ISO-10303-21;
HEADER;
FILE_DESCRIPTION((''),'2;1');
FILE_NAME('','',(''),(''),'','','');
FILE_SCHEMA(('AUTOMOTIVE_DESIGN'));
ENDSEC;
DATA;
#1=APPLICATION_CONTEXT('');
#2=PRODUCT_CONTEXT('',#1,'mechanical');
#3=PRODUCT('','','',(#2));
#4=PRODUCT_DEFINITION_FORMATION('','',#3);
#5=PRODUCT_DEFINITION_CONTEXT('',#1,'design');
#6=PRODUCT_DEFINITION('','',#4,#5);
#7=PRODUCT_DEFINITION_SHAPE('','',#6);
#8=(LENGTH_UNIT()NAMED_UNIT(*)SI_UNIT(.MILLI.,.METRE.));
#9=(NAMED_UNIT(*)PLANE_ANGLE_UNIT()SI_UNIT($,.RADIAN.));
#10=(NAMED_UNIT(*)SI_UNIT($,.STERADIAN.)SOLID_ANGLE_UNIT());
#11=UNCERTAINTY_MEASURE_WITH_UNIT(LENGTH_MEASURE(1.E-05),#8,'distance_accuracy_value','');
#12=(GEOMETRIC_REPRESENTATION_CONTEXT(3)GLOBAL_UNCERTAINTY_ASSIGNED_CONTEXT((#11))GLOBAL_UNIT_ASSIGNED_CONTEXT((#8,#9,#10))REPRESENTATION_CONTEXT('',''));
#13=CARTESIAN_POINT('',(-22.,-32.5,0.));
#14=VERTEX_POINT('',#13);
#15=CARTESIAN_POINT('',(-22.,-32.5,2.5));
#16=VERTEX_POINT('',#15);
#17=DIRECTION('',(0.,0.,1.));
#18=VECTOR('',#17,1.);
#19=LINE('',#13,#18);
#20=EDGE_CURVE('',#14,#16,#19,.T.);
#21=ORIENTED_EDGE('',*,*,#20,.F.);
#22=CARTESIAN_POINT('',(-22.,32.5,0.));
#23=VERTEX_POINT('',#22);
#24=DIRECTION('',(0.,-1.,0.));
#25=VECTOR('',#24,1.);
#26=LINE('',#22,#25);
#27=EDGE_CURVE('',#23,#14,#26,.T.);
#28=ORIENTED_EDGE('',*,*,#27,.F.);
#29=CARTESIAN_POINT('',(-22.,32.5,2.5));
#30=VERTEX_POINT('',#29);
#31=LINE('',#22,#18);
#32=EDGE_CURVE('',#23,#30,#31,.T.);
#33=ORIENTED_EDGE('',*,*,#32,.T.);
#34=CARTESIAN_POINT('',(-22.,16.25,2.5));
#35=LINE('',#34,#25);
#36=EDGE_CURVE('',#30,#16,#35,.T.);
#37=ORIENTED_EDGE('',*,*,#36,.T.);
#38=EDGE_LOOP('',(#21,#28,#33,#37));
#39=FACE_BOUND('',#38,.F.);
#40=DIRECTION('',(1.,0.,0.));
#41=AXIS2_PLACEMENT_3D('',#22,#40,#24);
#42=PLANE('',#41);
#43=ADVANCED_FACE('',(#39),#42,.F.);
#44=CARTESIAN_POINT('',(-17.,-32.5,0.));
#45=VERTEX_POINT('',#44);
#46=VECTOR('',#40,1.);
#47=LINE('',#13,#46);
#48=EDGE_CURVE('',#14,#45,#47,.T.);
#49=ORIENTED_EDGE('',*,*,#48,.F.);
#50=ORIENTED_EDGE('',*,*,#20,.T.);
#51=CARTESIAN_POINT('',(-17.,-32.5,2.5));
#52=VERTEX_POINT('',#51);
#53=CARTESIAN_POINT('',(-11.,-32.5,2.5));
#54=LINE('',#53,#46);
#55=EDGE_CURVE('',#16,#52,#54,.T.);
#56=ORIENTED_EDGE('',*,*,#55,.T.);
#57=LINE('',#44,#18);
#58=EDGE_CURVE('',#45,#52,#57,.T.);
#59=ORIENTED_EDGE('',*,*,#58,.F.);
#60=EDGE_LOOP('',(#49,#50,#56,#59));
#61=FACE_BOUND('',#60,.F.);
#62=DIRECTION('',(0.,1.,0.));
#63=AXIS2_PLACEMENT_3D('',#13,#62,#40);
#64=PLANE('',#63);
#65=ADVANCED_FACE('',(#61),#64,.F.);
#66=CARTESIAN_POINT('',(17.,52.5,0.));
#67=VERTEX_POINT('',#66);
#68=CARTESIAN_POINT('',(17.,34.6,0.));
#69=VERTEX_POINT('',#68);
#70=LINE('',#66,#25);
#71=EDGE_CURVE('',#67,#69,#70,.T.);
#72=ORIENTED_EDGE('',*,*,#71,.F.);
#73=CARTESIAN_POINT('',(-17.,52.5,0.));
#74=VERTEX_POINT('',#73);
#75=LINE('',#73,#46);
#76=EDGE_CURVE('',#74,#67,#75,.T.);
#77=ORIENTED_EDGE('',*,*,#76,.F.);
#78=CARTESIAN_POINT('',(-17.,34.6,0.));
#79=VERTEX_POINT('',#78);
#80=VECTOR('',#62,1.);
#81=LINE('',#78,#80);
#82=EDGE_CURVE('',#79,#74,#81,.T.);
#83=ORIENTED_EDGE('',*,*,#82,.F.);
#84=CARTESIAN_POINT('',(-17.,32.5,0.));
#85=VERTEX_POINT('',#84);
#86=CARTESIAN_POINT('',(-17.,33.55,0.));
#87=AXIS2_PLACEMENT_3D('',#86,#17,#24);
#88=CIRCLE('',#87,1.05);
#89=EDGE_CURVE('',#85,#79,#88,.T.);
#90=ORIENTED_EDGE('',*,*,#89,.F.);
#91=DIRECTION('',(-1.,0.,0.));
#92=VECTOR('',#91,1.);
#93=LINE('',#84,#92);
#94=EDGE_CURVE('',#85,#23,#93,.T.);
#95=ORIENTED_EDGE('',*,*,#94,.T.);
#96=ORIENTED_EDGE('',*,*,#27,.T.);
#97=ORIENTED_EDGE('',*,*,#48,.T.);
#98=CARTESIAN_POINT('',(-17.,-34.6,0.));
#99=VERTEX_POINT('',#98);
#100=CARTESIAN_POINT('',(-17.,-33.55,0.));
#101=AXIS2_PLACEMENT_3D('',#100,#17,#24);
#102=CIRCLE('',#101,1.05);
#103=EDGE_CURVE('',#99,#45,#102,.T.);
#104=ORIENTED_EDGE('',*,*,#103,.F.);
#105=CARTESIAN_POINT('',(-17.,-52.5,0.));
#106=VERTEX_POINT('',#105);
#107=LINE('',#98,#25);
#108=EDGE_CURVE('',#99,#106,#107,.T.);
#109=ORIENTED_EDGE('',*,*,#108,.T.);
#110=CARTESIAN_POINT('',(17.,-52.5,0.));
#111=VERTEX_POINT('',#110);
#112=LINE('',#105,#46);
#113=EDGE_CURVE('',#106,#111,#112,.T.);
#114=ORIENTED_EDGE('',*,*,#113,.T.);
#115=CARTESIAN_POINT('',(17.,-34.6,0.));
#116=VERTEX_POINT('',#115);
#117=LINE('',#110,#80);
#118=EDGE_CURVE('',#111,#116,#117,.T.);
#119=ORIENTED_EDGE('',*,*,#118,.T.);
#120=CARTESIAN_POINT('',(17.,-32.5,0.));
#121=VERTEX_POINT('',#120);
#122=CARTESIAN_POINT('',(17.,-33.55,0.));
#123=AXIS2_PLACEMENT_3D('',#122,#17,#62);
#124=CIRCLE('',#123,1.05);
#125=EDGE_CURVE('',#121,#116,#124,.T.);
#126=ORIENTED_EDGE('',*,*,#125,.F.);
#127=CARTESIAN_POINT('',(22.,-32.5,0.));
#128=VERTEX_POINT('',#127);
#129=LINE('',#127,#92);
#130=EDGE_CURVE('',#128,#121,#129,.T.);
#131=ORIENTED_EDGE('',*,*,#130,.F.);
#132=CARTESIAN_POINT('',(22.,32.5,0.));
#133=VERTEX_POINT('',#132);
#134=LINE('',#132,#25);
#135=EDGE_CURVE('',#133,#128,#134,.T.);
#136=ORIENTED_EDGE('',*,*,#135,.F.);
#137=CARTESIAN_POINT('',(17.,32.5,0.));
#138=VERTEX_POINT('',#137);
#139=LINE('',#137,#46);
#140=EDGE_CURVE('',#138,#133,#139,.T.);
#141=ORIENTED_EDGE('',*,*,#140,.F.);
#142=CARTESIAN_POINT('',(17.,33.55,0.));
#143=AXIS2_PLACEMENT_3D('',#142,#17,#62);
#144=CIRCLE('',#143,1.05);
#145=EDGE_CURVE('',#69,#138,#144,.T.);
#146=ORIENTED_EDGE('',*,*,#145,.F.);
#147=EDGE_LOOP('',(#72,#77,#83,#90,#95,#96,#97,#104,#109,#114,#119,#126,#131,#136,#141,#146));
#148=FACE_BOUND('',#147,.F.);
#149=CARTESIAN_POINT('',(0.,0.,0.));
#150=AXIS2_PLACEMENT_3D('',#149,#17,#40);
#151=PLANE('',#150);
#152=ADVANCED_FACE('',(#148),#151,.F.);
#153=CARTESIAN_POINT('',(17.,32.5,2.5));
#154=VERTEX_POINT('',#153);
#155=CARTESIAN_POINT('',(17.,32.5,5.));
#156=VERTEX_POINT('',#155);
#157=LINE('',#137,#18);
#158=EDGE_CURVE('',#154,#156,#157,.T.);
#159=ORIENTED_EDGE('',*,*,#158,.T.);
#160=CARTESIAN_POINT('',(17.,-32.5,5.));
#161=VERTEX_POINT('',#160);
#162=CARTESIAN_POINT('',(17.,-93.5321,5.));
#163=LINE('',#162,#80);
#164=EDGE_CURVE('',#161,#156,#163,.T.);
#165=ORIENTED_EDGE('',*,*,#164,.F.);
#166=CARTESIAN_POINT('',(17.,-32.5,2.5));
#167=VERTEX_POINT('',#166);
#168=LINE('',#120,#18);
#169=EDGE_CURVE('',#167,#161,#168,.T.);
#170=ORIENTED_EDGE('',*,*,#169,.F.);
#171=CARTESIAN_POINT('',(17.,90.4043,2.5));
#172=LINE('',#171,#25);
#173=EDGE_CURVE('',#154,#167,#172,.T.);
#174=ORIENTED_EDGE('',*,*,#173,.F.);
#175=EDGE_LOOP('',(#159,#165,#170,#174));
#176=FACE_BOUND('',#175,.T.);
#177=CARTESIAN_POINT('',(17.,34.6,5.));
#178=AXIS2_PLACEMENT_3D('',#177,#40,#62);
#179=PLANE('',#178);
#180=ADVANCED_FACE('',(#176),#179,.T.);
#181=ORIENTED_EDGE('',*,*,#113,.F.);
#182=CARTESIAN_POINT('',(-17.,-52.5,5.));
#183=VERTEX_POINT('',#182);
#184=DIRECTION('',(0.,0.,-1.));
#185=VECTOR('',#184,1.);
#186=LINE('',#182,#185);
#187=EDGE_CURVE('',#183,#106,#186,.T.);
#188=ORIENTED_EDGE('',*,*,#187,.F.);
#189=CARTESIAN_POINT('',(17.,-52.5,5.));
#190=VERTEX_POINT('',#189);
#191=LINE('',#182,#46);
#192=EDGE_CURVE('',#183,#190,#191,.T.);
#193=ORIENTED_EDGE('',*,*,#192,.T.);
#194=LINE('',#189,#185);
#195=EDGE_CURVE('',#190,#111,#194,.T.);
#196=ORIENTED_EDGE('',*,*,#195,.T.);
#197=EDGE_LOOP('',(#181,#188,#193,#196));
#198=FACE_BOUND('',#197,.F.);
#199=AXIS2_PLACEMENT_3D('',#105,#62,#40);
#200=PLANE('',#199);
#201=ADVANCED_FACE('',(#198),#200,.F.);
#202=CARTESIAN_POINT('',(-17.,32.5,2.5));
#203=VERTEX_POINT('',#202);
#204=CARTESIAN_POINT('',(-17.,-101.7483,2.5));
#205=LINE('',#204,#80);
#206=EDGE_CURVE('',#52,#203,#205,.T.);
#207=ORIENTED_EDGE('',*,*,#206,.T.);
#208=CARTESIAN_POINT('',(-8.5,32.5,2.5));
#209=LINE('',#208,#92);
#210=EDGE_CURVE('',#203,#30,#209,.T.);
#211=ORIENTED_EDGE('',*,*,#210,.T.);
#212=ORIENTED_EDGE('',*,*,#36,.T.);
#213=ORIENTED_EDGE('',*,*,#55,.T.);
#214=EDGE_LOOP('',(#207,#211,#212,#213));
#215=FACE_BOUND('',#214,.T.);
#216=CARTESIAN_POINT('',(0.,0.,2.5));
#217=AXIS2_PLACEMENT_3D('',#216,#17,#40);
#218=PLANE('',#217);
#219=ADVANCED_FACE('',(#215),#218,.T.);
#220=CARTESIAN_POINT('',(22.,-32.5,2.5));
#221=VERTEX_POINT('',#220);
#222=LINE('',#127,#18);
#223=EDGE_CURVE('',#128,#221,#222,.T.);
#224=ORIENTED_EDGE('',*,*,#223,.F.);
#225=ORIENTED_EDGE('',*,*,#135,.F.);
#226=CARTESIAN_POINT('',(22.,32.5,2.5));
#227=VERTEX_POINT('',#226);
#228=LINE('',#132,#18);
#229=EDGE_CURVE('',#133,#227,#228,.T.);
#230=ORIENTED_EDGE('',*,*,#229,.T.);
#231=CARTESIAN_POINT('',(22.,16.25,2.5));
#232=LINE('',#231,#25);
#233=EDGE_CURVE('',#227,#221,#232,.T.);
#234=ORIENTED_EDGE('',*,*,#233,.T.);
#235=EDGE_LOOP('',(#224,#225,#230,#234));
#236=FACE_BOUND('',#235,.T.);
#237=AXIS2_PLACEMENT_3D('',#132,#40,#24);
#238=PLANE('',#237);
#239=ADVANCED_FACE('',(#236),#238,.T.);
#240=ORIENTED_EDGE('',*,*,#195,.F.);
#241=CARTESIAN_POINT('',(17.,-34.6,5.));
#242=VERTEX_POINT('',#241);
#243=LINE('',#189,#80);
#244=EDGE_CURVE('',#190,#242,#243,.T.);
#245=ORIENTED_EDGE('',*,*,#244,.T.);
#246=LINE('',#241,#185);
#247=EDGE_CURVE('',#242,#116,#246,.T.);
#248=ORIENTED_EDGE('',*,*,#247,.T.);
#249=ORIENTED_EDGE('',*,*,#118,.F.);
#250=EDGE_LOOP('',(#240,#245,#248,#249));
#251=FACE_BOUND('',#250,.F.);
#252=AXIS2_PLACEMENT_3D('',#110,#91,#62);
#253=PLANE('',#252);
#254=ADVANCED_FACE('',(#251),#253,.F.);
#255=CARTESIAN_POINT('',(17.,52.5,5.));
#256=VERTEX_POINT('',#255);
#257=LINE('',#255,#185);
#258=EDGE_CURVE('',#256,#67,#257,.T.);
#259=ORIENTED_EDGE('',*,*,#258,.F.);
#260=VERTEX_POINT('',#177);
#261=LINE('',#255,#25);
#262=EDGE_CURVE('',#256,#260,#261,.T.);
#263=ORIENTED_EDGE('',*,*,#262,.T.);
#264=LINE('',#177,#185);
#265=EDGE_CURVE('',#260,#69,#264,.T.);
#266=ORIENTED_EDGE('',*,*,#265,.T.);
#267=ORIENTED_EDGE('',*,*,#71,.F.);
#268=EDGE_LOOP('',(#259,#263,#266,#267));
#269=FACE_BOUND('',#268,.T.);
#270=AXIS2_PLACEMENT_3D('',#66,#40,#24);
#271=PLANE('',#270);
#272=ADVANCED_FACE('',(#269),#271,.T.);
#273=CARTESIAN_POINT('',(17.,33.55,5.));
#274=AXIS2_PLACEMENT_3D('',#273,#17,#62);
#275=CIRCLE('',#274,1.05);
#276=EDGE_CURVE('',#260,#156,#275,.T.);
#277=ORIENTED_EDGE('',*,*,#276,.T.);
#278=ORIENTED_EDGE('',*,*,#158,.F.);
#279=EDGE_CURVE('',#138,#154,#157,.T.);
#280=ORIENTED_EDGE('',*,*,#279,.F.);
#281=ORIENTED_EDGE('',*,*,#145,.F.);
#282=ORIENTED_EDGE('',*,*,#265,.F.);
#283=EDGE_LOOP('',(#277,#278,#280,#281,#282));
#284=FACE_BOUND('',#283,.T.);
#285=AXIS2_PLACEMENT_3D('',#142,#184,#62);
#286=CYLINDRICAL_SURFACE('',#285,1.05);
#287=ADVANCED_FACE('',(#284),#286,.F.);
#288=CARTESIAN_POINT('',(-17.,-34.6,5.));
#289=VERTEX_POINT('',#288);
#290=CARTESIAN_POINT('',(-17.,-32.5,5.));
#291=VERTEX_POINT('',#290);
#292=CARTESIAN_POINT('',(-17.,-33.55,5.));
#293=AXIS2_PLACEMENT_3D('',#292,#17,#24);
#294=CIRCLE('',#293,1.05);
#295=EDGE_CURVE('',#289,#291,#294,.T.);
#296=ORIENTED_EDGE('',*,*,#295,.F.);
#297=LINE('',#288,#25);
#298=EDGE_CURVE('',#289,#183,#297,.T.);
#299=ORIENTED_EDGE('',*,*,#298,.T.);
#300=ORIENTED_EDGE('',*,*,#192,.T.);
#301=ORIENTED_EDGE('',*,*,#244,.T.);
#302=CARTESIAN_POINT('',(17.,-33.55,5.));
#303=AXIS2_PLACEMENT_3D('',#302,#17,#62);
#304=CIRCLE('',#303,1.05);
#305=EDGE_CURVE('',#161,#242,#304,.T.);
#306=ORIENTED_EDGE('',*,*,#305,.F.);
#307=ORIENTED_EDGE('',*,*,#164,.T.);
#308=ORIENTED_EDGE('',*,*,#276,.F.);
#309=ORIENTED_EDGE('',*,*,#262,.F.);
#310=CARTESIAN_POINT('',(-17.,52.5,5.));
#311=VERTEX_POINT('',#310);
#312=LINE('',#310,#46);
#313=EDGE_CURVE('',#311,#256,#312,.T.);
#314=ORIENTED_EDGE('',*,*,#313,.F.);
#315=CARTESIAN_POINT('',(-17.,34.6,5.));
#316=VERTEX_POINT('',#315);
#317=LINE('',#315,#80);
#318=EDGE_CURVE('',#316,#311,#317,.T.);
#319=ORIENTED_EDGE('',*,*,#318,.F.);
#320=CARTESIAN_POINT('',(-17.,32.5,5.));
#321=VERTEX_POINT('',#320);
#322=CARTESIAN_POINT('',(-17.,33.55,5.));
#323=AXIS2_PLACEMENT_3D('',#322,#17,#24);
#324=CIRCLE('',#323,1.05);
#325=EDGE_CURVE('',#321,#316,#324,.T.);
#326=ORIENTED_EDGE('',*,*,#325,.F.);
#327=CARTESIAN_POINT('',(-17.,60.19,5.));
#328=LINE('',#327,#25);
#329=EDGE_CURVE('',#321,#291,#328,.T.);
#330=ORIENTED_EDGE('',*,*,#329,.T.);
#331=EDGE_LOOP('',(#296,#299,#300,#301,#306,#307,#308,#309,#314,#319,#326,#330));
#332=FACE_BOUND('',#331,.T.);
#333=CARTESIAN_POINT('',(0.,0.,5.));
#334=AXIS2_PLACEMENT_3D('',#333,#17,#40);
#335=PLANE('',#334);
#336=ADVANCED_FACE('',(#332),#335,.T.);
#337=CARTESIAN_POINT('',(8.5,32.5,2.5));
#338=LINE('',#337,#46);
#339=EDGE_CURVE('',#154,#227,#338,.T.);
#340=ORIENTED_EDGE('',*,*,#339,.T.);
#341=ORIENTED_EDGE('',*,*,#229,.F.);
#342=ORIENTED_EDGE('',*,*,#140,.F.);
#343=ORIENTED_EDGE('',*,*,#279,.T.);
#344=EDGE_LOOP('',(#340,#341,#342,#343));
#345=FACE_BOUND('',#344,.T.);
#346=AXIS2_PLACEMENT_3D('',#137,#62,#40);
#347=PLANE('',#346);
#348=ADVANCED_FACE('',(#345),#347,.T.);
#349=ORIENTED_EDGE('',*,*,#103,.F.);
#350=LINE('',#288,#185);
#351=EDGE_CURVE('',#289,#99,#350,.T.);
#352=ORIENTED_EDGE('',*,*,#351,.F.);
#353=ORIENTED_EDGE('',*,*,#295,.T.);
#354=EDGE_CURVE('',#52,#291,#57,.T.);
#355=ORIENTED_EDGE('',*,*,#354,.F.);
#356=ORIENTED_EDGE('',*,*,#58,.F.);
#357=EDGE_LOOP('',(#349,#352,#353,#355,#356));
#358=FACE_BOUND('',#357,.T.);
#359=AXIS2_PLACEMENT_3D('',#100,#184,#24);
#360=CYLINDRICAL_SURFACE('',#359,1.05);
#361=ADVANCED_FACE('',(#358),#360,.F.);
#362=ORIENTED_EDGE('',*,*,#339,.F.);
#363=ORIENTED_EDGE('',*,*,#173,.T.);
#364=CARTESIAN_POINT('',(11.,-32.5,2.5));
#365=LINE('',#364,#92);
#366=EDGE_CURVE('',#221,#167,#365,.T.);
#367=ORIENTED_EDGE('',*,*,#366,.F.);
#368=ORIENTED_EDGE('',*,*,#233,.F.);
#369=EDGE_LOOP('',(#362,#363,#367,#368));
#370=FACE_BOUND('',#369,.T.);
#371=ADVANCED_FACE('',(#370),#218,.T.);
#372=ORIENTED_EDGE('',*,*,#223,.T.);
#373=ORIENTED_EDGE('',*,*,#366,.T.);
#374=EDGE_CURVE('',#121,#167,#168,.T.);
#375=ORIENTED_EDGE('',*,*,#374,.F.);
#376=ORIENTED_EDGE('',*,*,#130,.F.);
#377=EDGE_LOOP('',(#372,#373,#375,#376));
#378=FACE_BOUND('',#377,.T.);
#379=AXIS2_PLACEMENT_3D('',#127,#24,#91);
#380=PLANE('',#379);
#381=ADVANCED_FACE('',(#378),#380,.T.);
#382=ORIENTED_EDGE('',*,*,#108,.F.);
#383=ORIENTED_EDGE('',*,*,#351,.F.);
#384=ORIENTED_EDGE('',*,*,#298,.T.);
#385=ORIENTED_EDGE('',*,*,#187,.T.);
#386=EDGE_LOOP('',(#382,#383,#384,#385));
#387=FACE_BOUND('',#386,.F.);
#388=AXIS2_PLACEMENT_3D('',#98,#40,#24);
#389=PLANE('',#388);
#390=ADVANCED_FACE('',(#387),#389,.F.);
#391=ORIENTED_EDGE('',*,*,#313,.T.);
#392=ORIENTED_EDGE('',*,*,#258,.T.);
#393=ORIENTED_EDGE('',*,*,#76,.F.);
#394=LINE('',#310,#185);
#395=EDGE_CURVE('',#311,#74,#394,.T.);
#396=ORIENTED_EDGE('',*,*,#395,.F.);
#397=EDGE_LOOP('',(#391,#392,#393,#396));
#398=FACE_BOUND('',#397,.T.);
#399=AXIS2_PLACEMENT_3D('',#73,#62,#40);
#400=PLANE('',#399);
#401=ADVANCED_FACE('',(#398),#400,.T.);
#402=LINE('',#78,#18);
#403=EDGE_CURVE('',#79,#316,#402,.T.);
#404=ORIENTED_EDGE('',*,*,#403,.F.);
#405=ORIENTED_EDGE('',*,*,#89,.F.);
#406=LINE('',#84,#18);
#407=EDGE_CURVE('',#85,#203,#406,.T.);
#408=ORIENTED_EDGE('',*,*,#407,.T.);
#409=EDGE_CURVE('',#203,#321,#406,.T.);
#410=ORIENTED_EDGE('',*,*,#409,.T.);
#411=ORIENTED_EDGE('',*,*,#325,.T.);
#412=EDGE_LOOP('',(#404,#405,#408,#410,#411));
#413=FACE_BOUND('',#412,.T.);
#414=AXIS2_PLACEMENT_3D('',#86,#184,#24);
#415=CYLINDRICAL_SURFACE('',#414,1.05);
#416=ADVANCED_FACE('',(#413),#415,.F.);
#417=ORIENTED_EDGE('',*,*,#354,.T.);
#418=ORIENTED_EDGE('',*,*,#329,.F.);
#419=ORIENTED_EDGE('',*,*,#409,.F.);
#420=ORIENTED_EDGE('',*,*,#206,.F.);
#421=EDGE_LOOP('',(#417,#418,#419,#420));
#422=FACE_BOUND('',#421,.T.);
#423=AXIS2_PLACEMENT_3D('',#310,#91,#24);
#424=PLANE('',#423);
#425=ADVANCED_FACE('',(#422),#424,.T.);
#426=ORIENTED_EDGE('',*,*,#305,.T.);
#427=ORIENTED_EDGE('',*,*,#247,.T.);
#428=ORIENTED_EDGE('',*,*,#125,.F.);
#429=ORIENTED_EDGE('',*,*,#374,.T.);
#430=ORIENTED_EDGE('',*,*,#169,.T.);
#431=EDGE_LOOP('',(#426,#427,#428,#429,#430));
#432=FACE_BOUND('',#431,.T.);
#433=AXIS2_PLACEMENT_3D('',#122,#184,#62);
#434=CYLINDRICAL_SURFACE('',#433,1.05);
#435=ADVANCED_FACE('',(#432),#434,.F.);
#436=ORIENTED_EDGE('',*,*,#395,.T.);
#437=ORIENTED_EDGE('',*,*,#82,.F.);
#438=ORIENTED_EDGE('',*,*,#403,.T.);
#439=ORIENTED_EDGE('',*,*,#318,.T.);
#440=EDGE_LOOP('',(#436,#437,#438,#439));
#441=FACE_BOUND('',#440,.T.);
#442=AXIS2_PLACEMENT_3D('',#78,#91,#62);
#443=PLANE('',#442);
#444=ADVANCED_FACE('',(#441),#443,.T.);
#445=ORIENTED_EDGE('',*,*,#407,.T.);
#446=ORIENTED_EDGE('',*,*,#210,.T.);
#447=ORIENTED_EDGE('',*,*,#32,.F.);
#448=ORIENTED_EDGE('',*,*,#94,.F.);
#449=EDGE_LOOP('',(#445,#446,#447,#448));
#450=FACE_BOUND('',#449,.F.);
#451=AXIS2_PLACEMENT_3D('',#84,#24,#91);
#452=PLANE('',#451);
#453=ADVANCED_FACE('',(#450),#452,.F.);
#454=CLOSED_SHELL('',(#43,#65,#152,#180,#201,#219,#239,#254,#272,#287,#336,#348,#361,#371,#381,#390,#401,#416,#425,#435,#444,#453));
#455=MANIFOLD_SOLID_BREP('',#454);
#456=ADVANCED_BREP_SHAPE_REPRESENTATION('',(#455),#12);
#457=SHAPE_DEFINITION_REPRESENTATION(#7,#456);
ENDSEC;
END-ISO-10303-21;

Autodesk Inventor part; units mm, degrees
ref_plane "YZ Plane" through (0, 0, 0) normal (1, 0, 0) x (0, 1, 0)
ref_plane "XZ Plane" through (0, 0, 0) normal (0, 1, 0) x (-1, 0, 0)
ref_plane "XY Plane" through (0, 0, 0) normal (0, 0, 1) x (1, 0, 0)
sketch "スケッチ1" plane through (0, 0, 0) normal (0, 0, 1) x (1, 0, 0)
  line L0 (-17, -52.5) -> (17, -52.5) construction
  line L1 (17, -52.5) -> (17, 52.5) construction
  line L2 (17, 52.5) -> (-17, 52.5) construction
  line L3 (-17, 52.5) -> (-17, -52.5) construction
  line L4 (-17, -52.5) -> (17, 52.5) construction
  line L5 (17, -52.5) -> (-17, 52.5) construction
  line L6 (-17, 34.6) -> (-17, 52.5)
  line L7 (-17, 52.5) -> (17, 52.5)
  line L8 (17, 52.5) -> (17, 34.6)
  line L9 (-17, -34.6) -> (-17, -52.5)
  line L10 (-17, -52.5) -> (17, -52.5)
  line L11 (17, -52.5) -> (17, -34.6)
  line L12 (-17, 32.5) -> (-22, 32.5)
  line L13 (-22, 32.5) -> (-22, -32.5)
  line L14 (-22, -32.5) -> (-17, -32.5)
  line L15 (17, 32.5) -> (22, 32.5)
  line L16 (22, 32.5) -> (22, -32.5)
  line L17 (22, -32.5) -> (17, -32.5)
  arc A0 (-17, 32.5) -> (-17, 34.6) centre (-17, 33.55) ccw
  arc A1 (-17, -34.6) -> (-17, -32.5) centre (-17, -33.55) ccw
  arc A2 (17, 34.6) -> (17, 32.5) centre (17, 33.55) ccw
  arc A3 (17, -32.5) -> (17, -34.6) centre (17, -33.55) ccw
  line L18 (0, 0) -> (17, 0) construction
  line L19 (0, 0) -> (0, 52.5) construction
  line L20 (-12, 42.5) -> (12, 42.5) construction
  line L21 (12, 42.5) -> (12, -42.5) construction
  line L22 (12, -42.5) -> (-12, -42.5) construction
  line L23 (-12, -42.5) -> (-12, 42.5) construction
  circle A4 centre (-12, 42.5) radius 1.2
  circle A5 centre (12, 42.5) radius 1.2
  circle A6 centre (12, -42.5) radius 1.2
  circle A7 centre (-12, -42.5) radius 1.2
  point P0 (0, 42.5)
  point P1 (0, 0)
  dimension "d87" = 1.05
  dimension "d88" = 105
  dimension "d89" = 5
  dimension "d90" = 20
  dimension "d91" = 34
  dimension "d92" = 2.4
  dimension "d93" = 5
  dimension "d94" = 10
  dimension "d95" = 10
extrude "押し出し1" add sketch "スケッチ1" along normal blind 5
sketch "スケッチ2" plane through (0, 0, 5) normal (0, 0, 1) x (1, 0, 0)
  line L0 (-17, 52.5) -> (-17, 34.6) projected
  line L1 (17, 34.6) -> (17, 52.5) projected
  line L2 (-40.5884, 60.19) -> (-17, 60.19)
  line L3 (-17, 60.19) -> (-17, -101.7483)
  line L4 (-17, -101.7483) -> (-40.5884, -101.7483)
  line L5 (-40.5884, -101.7483) -> (-40.5884, 60.19)
  line L6 (53.5752, 90.4043) -> (17, 90.4043)
  line L7 (17, 90.4043) -> (17, -93.5321)
  line L8 (17, -93.5321) -> (53.5752, -93.5321)
  line L9 (53.5752, -93.5321) -> (53.5752, 90.4043)
  point P0 (0, 0)
extrude "押し出し2" cut sketch "スケッチ2" against normal blind 2.5
sketch "スケッチ4" plane through (0, 0, 5) normal (0, 0, 1) x (1, 0, 0)
  circle A0 centre (-12, -42.5) radius 1.2 projected
  circle A1 centre (-12, -42.5) radius 1.2
  circle A2 centre (12, -42.5) radius 1.2 projected
  circle A3 centre (12, -42.5) radius 1.2
  circle A4 centre (-12, 42.5) radius 1.2 projected
  circle A5 centre (-12, 42.5) radius 1.2
  circle A6 centre (12, 42.5) radius 1.2 projected
  circle A7 centre (12, 42.5) radius 1.2
  point P0 (0, 0)
extrude "押し出し4" add sketch "スケッチ4" against normal up to surface (5 mm away)
equation "\"d88\" = d83"
equation "\"d90\" = d84"
equation "\"d83\" = 105"
equation "\"d84\" = 20"
properties part number "コックピット_2_サブフレーム_5" material "アセタール樹脂、黒"
